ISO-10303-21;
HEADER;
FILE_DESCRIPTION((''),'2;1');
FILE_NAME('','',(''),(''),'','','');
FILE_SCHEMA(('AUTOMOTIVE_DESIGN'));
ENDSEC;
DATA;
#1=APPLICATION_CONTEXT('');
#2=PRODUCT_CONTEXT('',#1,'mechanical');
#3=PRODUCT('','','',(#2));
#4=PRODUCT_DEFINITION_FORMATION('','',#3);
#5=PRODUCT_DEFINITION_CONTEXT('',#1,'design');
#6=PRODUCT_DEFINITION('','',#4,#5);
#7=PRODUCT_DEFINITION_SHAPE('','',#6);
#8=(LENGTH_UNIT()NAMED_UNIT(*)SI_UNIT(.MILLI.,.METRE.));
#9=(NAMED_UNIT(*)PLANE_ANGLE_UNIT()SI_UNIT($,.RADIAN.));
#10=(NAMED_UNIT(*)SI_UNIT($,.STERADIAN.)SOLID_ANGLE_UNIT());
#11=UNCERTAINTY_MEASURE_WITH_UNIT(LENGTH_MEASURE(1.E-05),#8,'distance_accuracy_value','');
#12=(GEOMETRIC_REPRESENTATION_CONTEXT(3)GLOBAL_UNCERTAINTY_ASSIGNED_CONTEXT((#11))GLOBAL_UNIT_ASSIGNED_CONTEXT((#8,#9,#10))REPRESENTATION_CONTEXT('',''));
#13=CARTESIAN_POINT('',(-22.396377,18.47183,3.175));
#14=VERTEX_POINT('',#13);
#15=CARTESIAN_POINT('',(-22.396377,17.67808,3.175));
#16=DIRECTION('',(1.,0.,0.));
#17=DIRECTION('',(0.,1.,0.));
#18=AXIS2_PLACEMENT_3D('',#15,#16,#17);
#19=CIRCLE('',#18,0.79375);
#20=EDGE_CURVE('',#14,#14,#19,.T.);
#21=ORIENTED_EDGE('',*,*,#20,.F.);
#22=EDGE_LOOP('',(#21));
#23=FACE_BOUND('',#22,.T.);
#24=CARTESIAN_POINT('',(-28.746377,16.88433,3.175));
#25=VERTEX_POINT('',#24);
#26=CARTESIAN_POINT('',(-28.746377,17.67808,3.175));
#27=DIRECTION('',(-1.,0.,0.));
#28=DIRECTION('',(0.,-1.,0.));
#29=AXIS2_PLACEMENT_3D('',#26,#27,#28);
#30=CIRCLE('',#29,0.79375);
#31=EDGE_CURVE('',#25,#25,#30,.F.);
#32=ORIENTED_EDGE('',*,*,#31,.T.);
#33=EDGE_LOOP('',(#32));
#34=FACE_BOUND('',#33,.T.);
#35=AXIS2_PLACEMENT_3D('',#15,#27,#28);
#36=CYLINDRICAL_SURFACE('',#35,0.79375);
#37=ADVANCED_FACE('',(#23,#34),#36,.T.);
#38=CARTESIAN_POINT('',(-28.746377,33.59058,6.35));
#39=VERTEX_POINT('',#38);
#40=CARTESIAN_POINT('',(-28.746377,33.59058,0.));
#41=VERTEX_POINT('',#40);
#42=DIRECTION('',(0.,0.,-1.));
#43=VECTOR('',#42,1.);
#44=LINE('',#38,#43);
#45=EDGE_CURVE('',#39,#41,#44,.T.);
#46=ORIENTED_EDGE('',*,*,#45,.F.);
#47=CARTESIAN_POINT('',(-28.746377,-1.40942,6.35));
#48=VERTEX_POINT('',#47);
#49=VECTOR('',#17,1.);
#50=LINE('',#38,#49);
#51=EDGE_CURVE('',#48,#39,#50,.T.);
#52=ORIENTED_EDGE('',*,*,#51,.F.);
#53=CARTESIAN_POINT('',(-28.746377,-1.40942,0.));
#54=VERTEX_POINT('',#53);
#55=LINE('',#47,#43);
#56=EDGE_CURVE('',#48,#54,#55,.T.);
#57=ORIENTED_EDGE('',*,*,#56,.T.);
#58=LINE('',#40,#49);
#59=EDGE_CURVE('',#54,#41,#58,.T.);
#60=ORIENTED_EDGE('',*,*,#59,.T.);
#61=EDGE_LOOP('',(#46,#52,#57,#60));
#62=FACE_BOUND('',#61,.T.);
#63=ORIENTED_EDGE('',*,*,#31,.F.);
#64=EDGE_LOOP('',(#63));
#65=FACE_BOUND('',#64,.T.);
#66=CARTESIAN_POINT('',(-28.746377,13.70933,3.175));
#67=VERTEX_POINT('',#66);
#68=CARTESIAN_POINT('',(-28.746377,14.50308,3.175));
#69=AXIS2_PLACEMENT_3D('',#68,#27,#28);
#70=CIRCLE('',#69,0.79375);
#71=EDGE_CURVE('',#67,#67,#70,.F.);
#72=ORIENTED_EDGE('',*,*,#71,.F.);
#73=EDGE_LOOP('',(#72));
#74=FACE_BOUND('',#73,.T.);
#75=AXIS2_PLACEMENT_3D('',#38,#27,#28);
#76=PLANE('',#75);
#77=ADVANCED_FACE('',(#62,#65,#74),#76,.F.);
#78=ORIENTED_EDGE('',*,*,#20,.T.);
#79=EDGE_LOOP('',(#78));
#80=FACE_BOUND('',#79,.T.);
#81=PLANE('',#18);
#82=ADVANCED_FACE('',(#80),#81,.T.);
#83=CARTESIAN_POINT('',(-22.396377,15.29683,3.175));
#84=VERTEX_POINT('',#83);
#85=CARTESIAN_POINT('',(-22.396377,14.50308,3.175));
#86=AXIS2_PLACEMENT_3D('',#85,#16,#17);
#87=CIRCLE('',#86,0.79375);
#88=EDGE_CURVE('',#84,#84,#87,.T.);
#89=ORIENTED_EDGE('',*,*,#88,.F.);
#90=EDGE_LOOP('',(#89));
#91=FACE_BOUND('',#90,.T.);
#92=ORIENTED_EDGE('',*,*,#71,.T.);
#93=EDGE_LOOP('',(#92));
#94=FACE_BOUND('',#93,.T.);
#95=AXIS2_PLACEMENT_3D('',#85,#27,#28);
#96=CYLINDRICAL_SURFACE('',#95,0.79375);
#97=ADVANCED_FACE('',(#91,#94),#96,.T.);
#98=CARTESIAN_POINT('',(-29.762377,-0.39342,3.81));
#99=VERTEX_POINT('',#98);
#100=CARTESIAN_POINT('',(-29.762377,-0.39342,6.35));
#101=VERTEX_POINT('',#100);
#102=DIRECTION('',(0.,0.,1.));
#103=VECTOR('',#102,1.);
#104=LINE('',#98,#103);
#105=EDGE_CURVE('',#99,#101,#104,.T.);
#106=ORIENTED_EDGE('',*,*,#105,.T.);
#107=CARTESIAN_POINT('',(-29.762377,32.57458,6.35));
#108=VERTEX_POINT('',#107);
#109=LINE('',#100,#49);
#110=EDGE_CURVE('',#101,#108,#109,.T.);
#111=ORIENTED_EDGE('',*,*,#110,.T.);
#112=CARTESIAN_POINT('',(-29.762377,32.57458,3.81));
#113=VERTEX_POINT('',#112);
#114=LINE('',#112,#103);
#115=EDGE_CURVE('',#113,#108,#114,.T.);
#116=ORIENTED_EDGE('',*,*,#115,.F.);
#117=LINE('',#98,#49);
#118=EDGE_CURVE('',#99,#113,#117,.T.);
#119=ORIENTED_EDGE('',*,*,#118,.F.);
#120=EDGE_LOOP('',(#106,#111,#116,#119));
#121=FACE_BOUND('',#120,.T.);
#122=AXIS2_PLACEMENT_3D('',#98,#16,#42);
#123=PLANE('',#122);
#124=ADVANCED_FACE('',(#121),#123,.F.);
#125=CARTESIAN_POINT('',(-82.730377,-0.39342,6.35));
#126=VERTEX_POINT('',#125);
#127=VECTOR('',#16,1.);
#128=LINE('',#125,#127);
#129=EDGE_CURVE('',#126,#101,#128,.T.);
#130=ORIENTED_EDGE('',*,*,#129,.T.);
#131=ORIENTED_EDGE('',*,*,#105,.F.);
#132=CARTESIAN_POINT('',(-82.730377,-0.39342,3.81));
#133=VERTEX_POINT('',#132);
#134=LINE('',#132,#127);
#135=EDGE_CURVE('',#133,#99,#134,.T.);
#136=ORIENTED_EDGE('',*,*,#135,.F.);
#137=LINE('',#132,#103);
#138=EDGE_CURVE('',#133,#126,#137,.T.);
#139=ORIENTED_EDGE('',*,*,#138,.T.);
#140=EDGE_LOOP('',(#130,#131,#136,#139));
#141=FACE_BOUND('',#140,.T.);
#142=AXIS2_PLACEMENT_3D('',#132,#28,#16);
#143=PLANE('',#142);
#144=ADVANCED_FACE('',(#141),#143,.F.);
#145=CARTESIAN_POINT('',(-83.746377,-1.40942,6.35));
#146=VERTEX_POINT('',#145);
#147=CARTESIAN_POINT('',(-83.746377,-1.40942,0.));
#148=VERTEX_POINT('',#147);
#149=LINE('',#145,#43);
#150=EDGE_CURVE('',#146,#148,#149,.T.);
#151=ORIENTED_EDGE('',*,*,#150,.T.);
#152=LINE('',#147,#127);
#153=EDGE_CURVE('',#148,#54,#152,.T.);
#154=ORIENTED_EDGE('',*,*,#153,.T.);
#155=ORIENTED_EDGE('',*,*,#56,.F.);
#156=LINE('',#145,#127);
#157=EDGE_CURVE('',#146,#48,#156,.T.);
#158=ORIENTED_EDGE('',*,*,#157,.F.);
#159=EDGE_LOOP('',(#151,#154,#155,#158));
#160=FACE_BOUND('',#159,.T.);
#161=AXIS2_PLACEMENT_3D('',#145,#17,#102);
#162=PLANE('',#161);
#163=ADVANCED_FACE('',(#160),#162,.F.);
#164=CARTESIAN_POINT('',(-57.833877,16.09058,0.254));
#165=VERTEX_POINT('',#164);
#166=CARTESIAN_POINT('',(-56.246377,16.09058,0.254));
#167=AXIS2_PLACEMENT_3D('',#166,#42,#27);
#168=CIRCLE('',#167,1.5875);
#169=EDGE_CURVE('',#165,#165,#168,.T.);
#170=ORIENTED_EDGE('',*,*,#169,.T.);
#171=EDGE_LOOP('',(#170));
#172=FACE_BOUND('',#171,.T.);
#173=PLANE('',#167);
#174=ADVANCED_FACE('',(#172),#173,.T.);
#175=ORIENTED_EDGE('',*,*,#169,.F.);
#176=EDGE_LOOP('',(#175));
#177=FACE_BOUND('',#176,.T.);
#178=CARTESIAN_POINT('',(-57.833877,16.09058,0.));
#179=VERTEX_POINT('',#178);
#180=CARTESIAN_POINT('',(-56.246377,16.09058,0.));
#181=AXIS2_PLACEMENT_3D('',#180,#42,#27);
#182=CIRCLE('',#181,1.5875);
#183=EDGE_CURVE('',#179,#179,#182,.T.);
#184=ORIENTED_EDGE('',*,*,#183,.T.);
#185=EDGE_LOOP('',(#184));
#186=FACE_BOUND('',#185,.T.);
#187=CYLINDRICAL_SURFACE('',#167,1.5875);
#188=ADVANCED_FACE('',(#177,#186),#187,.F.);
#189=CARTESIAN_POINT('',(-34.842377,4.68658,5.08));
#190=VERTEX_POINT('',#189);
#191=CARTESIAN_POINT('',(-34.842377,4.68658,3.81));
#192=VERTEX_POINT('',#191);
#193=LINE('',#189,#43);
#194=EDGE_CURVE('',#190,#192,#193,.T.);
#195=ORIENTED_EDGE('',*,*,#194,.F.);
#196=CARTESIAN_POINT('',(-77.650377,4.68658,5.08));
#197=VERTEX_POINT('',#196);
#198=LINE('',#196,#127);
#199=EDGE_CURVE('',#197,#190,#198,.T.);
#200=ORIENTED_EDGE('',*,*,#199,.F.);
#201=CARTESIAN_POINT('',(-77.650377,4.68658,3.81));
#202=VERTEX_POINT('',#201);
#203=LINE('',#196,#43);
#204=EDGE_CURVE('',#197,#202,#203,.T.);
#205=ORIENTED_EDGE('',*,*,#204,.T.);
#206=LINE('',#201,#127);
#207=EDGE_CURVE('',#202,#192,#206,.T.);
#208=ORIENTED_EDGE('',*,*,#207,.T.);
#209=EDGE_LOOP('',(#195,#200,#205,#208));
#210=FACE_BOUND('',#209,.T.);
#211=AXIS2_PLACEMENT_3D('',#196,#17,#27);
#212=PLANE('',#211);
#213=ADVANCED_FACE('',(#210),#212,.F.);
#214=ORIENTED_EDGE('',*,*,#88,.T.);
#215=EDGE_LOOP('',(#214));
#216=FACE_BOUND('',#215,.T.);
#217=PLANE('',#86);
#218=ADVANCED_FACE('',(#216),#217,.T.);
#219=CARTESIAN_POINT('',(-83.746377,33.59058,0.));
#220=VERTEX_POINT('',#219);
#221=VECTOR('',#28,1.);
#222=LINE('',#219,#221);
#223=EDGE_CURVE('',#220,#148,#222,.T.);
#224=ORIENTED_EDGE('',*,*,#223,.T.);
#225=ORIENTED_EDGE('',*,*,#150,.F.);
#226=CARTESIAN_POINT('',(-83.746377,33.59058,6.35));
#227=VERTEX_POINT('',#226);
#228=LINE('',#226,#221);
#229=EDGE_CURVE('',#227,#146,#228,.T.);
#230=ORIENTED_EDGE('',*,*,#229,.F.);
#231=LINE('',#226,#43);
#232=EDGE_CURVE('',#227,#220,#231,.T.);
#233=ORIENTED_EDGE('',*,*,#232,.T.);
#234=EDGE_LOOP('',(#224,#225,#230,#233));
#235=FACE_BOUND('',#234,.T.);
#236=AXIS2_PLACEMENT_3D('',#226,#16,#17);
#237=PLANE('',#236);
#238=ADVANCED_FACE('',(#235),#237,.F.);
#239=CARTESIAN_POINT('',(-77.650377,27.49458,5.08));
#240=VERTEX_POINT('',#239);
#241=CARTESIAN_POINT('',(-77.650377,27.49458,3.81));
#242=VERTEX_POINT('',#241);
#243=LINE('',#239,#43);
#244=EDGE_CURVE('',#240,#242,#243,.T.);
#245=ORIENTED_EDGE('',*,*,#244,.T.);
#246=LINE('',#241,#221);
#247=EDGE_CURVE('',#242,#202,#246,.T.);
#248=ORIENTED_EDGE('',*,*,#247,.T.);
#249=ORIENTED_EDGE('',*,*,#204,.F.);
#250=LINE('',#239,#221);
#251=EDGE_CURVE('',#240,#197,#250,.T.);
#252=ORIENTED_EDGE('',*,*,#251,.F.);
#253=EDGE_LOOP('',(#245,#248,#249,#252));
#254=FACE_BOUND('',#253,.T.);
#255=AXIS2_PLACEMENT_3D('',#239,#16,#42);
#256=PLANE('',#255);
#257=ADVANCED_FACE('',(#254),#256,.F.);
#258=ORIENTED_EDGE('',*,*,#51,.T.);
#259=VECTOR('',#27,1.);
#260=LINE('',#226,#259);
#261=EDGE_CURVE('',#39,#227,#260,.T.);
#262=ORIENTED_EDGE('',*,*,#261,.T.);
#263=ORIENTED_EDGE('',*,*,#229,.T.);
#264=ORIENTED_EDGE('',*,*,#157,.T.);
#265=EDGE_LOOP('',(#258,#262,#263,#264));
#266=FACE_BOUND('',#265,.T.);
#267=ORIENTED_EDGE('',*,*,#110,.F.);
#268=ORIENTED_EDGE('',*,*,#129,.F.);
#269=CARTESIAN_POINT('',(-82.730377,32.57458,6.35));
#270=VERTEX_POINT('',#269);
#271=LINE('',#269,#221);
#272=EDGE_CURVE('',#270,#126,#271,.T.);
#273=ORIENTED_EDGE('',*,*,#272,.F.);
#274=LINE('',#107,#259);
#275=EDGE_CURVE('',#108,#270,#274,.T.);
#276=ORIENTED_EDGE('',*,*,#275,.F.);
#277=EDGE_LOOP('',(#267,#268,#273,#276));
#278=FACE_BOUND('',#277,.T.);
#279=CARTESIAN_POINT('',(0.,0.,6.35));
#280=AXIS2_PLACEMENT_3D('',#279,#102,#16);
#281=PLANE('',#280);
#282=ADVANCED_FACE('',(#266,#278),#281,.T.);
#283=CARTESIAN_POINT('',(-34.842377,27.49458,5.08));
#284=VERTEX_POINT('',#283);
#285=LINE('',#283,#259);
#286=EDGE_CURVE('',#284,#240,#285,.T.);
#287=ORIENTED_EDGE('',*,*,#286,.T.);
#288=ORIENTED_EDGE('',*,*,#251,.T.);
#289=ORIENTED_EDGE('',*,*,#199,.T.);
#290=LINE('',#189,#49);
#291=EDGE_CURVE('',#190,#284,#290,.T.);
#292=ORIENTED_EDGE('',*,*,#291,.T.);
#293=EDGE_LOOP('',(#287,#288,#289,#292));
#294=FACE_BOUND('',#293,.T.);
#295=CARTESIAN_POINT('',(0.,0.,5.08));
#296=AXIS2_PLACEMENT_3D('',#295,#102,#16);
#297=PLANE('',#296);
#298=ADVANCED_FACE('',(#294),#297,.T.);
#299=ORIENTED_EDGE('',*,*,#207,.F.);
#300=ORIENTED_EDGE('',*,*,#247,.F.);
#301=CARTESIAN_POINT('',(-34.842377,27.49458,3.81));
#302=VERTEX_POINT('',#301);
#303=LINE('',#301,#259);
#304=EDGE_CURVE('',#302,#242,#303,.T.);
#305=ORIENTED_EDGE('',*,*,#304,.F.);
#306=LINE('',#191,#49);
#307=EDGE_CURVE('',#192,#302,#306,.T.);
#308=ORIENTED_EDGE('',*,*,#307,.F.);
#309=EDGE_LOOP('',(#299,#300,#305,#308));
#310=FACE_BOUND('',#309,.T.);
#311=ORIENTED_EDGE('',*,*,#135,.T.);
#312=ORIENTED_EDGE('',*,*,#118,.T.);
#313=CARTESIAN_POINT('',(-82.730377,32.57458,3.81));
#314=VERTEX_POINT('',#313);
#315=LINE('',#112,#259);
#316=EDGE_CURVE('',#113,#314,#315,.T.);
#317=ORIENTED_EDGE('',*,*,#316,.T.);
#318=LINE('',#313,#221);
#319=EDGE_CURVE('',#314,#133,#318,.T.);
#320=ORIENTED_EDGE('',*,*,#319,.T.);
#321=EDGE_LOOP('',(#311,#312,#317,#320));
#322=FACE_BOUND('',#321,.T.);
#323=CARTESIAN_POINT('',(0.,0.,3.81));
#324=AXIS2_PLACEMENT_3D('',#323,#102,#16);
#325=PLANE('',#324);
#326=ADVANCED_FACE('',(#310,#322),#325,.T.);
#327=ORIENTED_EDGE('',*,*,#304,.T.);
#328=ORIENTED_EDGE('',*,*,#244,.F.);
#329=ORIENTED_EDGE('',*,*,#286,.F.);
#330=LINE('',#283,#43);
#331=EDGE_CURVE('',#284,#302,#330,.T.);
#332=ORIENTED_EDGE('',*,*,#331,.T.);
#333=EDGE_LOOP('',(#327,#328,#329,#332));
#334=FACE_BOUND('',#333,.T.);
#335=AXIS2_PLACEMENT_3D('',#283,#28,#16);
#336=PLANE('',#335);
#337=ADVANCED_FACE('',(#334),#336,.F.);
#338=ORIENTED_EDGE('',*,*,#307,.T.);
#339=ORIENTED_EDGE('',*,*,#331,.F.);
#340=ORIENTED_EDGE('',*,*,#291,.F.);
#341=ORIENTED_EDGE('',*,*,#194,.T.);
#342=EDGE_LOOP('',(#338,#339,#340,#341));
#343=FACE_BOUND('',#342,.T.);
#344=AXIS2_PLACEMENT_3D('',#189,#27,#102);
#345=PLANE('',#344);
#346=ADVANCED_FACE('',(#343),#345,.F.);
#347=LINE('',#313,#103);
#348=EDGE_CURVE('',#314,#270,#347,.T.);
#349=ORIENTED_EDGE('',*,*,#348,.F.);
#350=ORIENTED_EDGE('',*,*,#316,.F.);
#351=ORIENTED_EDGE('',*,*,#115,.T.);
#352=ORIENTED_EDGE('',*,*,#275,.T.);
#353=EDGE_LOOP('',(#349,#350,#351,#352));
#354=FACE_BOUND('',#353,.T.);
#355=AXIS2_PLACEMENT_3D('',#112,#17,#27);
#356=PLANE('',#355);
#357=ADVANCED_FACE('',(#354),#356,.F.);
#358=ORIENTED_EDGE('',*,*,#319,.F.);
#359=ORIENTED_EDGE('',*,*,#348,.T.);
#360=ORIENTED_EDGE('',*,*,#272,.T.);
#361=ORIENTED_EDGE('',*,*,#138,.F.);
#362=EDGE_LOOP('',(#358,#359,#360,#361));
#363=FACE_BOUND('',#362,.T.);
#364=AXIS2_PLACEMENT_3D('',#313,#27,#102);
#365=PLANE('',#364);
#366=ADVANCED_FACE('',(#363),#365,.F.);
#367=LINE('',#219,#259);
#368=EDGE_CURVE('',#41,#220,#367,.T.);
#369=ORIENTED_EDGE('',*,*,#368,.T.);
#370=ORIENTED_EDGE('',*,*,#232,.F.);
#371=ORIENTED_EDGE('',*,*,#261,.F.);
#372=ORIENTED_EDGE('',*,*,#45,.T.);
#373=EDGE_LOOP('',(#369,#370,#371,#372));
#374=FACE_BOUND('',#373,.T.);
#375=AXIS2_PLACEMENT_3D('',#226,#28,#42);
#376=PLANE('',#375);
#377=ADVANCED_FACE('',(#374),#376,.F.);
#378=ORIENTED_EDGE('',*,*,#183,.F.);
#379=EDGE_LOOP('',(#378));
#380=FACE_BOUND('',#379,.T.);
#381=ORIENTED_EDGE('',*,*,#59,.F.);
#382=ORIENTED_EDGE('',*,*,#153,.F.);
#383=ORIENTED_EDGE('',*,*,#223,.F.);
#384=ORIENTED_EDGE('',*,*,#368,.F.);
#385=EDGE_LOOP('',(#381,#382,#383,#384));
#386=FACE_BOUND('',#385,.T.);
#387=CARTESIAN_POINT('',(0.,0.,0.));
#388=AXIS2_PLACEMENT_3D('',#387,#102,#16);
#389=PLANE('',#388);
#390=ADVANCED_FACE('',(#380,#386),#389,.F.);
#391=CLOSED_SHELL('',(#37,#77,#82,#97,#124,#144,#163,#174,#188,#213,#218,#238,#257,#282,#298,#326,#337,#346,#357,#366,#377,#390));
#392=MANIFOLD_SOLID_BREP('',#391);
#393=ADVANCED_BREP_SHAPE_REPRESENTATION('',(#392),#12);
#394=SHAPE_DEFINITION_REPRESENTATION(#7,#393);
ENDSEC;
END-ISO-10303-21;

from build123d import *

# Parameters (mm, degrees)
SKETCH1_W           = 55
SKETCH1_H           = 35
BOSS_EXTRUDE1_DEPTH = 6.35
SKETCH2_R           = 0.79375
BOSS_EXTRUDE2_DEPTH = 6.35
SKETCH4_R           = 1.587499993
CUT_EXTRUDE2_DEPTH  = 0.254
SKETCH5_W           = 52.968
SKETCH5_H           = 32.968
CUT_EXTRUDE3_DEPTH  = 2.54
SKETCH6_W           = 42.808
SKETCH6_H           = 22.808
BOSS_EXTRUDE3_DEPTH = 1.27


with BuildPart() as part:
    # Sketch1 → Boss-Extrude1 (new body)
    with BuildSketch(Plane.XY):
        with Locations((-56.246376812, 16.09057971)):
            Rectangle(SKETCH1_W, SKETCH1_H)
    extrude(amount=BOSS_EXTRUDE1_DEPTH)

    # Sketch2 → Boss-Extrude2 (add)
    with BuildSketch(Plane(origin=(-28.746376812, 0, 0), x_dir=(0, 0, -1), z_dir=(1, 0, 0))):
        with Locations(Location((-3.175, 17.67807971, 0), (0, 0, 270))):
            Circle(SKETCH2_R)
        with Locations(Location((-3.175, 14.50307971, 0), (0, 0, 270))):
            Circle(SKETCH2_R)
    extrude(amount=BOSS_EXTRUDE2_DEPTH)

    # Sketch4 → Cut-Extrude2 (cut)
    with BuildSketch(Plane(origin=(0, 0, 0), x_dir=(-1, 0, 0), z_dir=(0, 0, -1))):
        with Locations((56.246376812, 16.09057971)):
            Circle(SKETCH4_R)
    extrude(amount=-CUT_EXTRUDE2_DEPTH, mode=Mode.SUBTRACT)

    # Sketch5 → Cut-Extrude3 (cut)
    with BuildSketch(Plane.XY.offset(6.35)):
        with Locations((-56.246376812, 16.09057971)):
            Rectangle(SKETCH5_W, SKETCH5_H)
    extrude(amount=-CUT_EXTRUDE3_DEPTH, mode=Mode.SUBTRACT)

    # Sketch6 → Boss-Extrude3 (add)
    with BuildSketch(Plane.XY.offset(3.81)):
        with Locations((-56.246376812, 16.09057971)):
            Rectangle(SKETCH6_W, SKETCH6_H)
    extrude(amount=BOSS_EXTRUDE3_DEPTH)


solid = part.part
